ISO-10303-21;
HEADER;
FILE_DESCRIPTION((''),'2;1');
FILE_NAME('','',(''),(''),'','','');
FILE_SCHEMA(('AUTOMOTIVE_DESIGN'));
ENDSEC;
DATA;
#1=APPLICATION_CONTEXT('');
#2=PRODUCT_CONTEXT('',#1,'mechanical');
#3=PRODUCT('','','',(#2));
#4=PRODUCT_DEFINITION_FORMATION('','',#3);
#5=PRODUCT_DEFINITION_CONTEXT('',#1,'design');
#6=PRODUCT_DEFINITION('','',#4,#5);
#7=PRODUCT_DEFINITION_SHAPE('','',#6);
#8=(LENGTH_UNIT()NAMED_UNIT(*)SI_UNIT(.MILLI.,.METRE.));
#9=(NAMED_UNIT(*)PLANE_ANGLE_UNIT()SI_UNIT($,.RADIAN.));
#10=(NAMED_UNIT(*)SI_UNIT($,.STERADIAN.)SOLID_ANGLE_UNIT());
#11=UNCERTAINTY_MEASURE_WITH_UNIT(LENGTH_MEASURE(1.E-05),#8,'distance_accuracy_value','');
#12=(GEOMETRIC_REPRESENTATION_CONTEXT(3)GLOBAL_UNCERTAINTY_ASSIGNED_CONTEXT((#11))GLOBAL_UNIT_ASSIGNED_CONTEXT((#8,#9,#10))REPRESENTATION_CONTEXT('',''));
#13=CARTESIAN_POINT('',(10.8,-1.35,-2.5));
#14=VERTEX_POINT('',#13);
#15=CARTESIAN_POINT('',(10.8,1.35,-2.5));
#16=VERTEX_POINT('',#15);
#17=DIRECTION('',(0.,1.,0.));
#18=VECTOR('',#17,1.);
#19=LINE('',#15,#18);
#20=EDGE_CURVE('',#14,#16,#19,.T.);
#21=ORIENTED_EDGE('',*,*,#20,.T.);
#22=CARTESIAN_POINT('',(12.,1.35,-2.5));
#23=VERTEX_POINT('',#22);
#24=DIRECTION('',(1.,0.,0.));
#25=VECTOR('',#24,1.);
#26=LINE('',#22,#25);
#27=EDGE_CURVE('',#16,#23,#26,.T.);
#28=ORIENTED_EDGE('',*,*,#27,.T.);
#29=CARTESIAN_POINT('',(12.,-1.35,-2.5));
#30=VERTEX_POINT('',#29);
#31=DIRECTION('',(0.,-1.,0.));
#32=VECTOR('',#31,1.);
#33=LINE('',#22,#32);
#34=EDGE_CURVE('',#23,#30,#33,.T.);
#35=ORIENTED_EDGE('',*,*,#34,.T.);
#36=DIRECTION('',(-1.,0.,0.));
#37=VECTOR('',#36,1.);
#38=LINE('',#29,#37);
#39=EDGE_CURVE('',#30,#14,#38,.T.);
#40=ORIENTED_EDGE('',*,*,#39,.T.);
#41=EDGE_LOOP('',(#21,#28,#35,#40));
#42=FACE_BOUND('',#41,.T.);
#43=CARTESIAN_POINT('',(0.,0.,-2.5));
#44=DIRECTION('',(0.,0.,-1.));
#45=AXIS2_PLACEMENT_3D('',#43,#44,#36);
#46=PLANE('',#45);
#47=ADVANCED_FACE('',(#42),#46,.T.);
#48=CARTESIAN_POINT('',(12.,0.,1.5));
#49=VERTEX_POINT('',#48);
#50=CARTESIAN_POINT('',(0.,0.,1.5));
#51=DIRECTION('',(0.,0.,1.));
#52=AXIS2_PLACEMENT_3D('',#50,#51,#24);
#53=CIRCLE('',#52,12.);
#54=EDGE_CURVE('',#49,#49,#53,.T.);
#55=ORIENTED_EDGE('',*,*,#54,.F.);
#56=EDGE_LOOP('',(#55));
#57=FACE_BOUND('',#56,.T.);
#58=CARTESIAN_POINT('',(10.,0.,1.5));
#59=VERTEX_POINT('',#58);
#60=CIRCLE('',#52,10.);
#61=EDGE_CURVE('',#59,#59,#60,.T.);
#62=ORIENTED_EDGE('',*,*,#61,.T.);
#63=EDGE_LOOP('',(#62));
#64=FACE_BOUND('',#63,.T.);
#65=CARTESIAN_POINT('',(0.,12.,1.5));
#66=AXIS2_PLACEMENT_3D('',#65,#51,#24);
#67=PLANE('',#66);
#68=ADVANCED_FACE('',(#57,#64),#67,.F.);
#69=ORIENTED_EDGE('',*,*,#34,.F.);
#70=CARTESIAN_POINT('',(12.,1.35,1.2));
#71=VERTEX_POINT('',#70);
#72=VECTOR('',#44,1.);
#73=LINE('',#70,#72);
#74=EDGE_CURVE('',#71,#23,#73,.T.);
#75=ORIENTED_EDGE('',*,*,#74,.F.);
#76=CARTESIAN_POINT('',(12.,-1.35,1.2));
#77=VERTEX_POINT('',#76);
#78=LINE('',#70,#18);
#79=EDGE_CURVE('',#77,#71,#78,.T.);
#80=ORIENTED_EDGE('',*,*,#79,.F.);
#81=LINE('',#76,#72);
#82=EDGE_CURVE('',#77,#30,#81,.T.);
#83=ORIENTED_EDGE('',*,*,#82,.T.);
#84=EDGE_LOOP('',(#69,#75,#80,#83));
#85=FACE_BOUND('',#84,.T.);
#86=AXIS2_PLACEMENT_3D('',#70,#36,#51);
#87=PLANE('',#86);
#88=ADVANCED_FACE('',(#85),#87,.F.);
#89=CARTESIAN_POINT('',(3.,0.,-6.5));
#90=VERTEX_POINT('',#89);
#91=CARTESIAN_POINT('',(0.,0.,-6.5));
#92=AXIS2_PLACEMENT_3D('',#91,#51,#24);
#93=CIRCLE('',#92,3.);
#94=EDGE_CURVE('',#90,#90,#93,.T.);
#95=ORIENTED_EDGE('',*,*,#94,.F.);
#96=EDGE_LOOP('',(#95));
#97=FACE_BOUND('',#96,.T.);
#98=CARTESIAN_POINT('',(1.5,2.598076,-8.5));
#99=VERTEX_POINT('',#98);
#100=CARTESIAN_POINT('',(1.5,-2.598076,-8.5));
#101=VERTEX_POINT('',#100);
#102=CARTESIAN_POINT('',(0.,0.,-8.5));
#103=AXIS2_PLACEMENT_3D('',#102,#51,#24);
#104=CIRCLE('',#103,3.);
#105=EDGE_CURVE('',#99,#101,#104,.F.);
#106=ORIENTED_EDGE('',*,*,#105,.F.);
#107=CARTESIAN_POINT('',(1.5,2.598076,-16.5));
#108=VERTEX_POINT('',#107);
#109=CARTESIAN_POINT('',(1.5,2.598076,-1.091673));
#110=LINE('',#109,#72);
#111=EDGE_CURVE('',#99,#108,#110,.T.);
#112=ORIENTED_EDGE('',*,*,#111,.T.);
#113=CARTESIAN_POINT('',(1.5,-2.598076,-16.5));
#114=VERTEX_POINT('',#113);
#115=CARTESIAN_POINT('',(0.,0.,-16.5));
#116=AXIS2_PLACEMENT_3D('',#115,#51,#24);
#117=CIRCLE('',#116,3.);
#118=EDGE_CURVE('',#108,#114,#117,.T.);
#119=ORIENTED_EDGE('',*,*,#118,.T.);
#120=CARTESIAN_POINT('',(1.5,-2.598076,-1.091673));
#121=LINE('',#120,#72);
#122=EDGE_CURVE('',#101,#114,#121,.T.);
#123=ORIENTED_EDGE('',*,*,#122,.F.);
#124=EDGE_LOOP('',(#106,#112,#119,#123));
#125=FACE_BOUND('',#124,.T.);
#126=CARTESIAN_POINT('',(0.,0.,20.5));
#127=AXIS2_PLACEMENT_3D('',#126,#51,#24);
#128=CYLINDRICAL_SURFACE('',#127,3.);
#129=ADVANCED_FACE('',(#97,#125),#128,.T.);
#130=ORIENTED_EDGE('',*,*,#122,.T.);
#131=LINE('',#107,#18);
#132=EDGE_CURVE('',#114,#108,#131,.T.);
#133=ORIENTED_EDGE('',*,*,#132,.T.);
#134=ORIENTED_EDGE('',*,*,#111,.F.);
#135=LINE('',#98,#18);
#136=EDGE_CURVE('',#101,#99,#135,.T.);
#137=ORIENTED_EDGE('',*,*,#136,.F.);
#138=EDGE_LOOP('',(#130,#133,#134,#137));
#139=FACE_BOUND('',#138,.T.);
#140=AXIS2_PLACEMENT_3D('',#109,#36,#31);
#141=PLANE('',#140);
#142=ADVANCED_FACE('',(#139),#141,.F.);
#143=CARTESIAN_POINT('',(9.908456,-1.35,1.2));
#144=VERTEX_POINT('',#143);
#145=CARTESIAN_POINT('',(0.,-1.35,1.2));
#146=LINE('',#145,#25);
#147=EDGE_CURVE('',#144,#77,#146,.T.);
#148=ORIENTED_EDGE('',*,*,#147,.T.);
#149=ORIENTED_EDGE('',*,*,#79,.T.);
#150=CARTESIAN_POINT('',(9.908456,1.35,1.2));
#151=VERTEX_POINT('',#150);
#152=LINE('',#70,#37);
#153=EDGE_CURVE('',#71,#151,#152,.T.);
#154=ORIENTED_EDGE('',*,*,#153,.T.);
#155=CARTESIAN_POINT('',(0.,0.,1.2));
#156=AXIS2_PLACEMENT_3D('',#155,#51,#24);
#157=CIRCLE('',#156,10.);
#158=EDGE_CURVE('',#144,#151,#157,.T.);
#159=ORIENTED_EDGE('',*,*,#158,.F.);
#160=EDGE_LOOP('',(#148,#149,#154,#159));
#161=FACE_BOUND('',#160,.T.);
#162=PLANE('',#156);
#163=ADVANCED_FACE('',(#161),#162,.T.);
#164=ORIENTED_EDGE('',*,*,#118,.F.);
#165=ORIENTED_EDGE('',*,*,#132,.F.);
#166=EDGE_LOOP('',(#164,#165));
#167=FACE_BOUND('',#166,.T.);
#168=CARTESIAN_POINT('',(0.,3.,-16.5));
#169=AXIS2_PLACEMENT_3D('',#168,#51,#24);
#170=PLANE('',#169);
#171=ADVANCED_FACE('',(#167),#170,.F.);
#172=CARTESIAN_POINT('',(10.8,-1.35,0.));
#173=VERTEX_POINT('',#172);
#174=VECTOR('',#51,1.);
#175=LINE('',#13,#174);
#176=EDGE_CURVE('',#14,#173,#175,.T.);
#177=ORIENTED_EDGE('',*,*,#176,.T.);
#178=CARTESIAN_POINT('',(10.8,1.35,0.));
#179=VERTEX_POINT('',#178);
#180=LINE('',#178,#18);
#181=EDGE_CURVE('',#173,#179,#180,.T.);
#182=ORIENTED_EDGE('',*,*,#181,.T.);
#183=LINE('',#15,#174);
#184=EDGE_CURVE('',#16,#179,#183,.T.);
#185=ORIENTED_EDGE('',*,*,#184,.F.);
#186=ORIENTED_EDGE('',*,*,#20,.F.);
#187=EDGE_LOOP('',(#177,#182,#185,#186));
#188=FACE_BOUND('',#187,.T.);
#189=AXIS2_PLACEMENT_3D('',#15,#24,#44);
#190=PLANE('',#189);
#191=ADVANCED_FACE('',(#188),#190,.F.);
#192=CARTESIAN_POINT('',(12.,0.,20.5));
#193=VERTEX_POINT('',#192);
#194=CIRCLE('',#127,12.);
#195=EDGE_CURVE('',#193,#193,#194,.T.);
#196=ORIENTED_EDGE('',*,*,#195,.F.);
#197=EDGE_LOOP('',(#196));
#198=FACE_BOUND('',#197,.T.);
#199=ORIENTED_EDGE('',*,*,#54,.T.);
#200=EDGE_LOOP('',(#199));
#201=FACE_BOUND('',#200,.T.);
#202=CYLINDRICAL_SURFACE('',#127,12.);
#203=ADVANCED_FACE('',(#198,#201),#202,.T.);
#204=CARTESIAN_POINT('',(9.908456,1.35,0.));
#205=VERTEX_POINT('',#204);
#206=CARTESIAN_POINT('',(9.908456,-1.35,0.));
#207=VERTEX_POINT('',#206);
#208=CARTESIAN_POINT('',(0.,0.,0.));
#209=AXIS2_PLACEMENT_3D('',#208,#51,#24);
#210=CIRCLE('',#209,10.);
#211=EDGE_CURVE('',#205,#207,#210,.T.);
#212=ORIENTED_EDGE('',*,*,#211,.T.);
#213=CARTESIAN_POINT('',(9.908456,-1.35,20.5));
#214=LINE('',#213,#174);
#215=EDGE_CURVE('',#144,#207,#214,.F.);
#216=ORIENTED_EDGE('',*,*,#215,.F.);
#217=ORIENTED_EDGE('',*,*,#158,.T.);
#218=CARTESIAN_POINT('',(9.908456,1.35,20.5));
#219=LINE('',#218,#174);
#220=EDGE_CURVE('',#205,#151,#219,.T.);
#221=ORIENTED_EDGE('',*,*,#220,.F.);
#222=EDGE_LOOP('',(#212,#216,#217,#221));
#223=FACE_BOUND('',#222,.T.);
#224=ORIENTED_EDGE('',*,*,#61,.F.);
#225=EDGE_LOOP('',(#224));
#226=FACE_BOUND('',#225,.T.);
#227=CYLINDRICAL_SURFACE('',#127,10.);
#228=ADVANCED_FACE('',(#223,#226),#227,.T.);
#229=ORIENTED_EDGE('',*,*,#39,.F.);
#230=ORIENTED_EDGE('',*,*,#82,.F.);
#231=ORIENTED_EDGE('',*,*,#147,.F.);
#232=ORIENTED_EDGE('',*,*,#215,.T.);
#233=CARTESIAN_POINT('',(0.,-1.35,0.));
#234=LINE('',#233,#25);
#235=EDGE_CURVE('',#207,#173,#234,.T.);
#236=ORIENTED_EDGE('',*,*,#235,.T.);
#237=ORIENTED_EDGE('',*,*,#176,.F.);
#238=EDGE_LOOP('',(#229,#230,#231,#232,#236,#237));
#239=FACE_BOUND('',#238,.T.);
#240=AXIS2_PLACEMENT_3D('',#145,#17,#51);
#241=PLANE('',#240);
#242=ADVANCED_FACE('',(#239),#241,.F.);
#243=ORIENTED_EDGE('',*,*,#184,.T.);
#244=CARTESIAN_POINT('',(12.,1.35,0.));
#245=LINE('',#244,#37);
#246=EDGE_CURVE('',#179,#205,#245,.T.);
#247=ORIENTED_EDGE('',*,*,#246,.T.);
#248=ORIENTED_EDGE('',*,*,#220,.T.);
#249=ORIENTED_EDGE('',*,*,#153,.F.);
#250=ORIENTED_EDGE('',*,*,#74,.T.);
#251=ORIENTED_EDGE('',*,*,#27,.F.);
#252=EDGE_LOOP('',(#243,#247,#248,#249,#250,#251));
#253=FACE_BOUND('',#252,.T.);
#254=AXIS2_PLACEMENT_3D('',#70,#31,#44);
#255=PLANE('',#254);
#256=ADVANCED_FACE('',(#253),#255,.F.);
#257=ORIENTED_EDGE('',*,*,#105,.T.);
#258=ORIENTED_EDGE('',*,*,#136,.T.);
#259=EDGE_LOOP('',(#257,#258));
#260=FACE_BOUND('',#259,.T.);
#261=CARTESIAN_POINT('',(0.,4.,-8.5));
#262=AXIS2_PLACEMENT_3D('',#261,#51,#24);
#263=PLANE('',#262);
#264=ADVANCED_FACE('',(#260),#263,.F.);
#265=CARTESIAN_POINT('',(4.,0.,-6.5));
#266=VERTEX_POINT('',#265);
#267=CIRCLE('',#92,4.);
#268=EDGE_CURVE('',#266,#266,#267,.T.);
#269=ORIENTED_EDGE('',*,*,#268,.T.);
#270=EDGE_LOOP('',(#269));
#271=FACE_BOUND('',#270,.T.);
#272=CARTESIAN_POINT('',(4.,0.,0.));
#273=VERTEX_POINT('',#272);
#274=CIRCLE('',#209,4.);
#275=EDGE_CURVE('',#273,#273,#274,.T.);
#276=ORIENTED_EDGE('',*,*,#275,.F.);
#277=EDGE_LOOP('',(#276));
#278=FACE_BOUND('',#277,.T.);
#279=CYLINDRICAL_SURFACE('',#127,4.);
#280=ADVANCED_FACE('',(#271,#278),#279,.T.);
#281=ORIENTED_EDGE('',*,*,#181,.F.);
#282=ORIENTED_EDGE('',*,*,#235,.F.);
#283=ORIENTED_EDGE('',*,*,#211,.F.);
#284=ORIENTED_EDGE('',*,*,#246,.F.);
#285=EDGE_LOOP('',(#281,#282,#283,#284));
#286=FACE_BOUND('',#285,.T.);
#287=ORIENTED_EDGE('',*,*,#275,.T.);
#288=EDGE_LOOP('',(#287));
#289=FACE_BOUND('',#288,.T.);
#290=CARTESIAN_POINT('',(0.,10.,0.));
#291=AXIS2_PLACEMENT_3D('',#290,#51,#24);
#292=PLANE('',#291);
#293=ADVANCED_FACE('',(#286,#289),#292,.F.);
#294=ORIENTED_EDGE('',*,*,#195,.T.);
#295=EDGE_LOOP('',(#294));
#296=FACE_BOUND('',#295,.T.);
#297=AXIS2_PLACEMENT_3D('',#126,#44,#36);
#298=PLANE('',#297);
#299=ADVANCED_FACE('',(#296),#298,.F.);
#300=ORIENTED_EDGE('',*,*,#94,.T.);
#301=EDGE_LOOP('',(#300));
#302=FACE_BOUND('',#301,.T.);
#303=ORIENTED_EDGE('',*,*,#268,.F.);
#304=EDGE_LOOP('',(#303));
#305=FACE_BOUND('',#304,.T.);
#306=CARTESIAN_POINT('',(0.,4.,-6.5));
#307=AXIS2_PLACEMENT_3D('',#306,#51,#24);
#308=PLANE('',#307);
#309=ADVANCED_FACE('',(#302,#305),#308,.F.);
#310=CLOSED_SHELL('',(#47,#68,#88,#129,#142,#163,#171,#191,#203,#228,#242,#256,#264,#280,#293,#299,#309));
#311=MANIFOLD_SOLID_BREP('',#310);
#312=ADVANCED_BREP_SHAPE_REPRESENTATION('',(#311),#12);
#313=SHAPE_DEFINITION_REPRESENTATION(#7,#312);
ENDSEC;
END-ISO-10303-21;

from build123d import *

# Parameters (mm, degrees)
SKETCH_2_W          = 1.2
SKETCH_2_H          = 2.7
EXTRUDE_1_DEPTH     = 2.5
SKETCH_3_W          = 12
SKETCH_3_H          = 2.7
EXTRUDE_2_DEPTH     = 1.2
CUT_EXTRUDE_1_DEPTH = 8


with BuildPart() as part:
    # Эскиз1 → Повернуть1 (revolve)
    with BuildSketch(Plane(origin=(0, 0, 0), x_dir=(0, 0, -1), z_dir=(1, 0, 0))):
        Polygon((-20.5, 0), (-20.5, 12), (-1.5, 12), (-1.5, 10), (0, 10), (0, 4), (6.5, 4), (6.5, 3), (16.5, 3), (16.5, 0), align=None)
    revolve(axis=Axis((0, 0, 20.5), (0, 0, -1)))



with BuildPart() as body_2:
    # Эскиз2 → Бобышка-Вытянуть1 (new body)
    with BuildSketch(Plane(origin=(0, 0, 0), x_dir=(-1, 0, 0), z_dir=(0, 0, -1))):
        with Locations((-11.4, 0)):
            Rectangle(SKETCH_2_W, SKETCH_2_H)
    extrude(amount=EXTRUDE_1_DEPTH)


with BuildPart() as part_1:
    add(part.part)

    add(body_2.part)  # Бобышка-Вытянуть2 merges body 2
    # Эскиз3 → Бобышка-Вытянуть2 (add)
    with BuildSketch(Plane.XY):
        with Locations((6, 0)):
            Rectangle(SKETCH_3_W, SKETCH_3_H)
    extrude(amount=EXTRUDE_2_DEPTH)

    # Эскиз4 → Вырез-Вытянуть1 (cut)
    with BuildSketch(Plane(origin=(0, 0, -16.5), x_dir=(-1, 0, 0), z_dir=(0, 0, -1))):
        with BuildLine():
            Line((-1.5, 2.598076211), (-1.5, -2.598076211))
            ThreePointArc((-1.5, -2.598076211), (-3, 0), (-1.5, 2.598076211))
        make_face()
    extrude(amount=-CUT_EXTRUDE_1_DEPTH, mode=Mode.SUBTRACT)


solid = part_1.part
